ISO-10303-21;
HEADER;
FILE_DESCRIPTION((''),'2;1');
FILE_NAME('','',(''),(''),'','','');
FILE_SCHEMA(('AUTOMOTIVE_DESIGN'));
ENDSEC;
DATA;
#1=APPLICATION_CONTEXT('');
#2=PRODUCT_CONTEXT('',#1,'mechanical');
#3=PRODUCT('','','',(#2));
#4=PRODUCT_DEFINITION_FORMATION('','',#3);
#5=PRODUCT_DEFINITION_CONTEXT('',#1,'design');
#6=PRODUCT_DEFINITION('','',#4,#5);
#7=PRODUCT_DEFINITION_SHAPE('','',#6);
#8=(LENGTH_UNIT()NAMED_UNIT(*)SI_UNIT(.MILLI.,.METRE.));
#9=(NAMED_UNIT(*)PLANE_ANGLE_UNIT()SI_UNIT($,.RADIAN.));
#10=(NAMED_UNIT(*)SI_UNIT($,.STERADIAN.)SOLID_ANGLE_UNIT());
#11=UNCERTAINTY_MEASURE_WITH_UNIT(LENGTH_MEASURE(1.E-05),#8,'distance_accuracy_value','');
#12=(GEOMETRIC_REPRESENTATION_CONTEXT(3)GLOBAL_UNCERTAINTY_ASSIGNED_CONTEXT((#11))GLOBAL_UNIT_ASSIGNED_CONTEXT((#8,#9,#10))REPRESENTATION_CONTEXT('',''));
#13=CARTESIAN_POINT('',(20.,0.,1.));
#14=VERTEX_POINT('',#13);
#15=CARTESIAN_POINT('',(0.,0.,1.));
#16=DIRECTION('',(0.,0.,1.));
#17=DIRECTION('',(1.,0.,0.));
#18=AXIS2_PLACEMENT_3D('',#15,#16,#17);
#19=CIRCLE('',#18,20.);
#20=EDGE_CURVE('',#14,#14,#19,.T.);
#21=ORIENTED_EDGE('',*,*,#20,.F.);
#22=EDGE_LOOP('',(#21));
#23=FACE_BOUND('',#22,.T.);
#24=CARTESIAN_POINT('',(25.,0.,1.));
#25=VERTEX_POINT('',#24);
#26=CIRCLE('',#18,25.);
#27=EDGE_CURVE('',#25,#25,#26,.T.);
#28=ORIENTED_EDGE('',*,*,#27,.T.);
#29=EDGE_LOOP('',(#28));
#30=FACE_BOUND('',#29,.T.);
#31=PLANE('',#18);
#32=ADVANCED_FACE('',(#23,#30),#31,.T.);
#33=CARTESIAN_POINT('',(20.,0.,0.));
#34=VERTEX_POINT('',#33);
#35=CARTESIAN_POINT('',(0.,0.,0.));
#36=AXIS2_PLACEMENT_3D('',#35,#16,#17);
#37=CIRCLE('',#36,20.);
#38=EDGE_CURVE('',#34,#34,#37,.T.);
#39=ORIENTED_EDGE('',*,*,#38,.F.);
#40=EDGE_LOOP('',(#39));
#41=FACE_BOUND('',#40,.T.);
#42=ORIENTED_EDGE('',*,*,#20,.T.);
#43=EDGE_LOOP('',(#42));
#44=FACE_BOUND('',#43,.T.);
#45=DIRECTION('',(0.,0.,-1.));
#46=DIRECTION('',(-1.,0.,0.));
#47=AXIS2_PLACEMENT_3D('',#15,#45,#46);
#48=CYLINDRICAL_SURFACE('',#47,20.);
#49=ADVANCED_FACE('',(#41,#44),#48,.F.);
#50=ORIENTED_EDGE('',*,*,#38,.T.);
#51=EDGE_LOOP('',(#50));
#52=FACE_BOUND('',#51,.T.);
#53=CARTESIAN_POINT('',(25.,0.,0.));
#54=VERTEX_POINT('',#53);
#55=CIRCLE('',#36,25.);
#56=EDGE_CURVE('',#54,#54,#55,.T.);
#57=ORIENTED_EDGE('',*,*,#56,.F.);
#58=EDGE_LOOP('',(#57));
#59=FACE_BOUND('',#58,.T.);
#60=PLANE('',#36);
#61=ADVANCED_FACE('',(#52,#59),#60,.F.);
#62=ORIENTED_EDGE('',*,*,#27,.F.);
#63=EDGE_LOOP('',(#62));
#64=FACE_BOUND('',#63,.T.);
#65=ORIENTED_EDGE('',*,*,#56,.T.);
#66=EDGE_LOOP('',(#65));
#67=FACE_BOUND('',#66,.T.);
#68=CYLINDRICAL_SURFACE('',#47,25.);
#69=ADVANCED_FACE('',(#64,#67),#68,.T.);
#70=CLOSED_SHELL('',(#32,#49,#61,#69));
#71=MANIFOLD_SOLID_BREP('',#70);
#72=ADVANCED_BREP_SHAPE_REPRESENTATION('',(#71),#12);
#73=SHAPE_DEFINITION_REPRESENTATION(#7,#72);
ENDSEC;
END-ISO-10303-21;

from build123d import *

# Parameters (mm, degrees)
SKETCH1_R          = 25
SKETCH1_R_2        = 20
BASE_EXTRUDE_DEPTH = 1


with BuildPart() as part:
    # Sketch1 → Base-Extrude (new body)
    with BuildSketch(Plane.XY):
        Circle(SKETCH1_R)
        Circle(SKETCH1_R_2, mode=Mode.SUBTRACT)
    extrude(amount=BASE_EXTRUDE_DEPTH)


solid = part.part
